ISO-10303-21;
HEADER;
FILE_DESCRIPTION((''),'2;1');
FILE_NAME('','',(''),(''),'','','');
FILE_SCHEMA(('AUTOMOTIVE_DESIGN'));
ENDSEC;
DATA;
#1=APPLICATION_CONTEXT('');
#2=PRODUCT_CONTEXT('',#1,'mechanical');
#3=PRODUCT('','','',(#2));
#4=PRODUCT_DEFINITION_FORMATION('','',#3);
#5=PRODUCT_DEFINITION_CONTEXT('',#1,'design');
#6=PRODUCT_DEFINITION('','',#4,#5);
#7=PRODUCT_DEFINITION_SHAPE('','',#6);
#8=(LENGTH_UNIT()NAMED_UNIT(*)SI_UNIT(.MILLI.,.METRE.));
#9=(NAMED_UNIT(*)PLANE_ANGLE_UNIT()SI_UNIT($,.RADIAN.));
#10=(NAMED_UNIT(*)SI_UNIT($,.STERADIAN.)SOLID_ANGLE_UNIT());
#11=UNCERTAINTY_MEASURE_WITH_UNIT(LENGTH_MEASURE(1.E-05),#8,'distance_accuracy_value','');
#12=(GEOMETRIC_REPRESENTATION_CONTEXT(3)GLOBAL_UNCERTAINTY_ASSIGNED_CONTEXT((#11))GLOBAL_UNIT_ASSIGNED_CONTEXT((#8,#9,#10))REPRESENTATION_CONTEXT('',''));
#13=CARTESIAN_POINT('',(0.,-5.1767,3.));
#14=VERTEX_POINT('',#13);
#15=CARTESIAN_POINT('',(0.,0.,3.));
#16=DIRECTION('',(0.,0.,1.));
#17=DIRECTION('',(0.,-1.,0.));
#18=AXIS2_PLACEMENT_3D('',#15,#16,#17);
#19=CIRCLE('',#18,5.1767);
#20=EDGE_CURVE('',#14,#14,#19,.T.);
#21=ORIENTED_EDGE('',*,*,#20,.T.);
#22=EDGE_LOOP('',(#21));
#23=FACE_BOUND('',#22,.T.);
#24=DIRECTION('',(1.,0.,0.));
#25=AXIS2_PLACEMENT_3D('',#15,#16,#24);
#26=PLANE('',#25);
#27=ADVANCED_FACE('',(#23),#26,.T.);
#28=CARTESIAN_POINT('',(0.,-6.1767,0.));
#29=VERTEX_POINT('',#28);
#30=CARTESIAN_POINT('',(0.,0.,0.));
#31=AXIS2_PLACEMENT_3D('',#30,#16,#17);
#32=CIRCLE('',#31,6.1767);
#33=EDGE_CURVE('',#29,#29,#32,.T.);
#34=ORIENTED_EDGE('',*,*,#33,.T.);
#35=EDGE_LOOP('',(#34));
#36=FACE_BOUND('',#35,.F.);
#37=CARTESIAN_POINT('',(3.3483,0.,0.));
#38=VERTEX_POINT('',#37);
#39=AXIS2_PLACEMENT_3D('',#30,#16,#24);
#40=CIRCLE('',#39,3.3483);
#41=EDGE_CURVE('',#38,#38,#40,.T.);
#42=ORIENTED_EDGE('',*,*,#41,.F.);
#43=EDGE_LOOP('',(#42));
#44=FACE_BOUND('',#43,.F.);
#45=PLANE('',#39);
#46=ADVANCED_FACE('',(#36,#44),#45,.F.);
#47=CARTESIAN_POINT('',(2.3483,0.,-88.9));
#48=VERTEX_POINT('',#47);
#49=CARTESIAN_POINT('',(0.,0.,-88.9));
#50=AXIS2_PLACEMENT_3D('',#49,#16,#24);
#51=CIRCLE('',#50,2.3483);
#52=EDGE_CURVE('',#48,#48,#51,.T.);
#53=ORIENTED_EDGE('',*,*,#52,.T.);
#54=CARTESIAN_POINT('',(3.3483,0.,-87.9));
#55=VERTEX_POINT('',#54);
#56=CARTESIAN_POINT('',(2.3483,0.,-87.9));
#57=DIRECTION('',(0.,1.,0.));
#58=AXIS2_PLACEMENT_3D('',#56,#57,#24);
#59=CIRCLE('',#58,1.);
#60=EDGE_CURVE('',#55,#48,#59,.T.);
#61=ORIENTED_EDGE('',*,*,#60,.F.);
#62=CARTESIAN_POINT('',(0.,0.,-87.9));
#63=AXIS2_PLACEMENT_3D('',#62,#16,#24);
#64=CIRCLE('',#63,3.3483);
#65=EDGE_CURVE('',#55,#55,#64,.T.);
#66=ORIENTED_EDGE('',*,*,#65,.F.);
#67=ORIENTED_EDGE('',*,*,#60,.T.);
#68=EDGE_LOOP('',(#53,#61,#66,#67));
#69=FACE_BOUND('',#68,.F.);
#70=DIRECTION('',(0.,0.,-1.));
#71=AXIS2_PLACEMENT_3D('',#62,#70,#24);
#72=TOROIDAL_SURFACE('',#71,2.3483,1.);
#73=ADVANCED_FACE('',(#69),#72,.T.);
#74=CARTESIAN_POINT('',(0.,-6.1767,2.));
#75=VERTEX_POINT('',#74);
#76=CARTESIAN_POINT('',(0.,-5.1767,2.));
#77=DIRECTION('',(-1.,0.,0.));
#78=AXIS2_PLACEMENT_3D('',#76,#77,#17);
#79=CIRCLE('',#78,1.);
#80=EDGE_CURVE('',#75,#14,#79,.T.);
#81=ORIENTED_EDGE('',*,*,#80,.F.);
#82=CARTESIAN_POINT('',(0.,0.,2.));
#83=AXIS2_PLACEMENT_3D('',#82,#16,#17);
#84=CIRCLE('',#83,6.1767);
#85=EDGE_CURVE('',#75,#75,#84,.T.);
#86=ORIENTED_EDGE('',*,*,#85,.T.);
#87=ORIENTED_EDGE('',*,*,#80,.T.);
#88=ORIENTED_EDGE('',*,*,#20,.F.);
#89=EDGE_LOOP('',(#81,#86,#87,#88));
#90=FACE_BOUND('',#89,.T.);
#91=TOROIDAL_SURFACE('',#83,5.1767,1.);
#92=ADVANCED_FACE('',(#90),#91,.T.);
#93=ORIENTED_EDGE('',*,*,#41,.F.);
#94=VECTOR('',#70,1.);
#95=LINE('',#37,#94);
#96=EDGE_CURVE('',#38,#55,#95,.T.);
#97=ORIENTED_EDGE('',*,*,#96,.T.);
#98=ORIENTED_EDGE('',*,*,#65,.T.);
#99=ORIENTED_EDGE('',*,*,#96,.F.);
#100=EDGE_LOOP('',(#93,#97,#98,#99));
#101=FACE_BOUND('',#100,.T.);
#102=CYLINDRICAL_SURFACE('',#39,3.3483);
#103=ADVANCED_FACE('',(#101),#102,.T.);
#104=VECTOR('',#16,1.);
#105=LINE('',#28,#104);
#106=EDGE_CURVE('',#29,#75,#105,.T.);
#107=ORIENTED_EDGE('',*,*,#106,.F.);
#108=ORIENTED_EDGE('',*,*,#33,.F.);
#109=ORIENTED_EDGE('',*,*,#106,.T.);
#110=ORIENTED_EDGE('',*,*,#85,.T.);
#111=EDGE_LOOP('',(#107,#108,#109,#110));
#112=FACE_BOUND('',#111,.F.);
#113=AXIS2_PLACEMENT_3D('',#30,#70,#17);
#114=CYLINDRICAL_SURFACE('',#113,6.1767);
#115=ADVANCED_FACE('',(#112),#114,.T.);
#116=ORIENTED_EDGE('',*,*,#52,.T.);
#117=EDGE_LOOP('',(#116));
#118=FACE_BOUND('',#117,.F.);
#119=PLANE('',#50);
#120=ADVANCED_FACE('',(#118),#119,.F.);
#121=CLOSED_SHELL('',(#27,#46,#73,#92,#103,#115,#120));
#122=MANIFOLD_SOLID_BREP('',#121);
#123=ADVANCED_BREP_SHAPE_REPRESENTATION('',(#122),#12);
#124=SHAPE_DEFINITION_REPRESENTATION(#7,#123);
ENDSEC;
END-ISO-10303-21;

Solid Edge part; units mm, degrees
sketch "Sketch1" plane through (0, 0, 0) normal (0, 0, 1) x (1, 0, 0)
  circle A0 centre (0, 0) radius 3.3483
  dimension "D1" = 6.6965
extrude "Protrusion1" add sketch "Sketch1" against normal up to vertex (88.9 mm away)
fillet "Round1" radius 1 1 edges at (-3.3483, 0, -88.9)
sketch "Sketch2" plane through (0, 0, 0) normal (0, 0, 1) x (0, -1, 0)
  circle A0 centre (0, 0) radius 6.1767
extrude "ExtrudedProtrusion_2" add sketch "Sketch2" along normal blind 3
fillet "Round_2" radius 1 1 edges at (0, 6.1767, 3)
